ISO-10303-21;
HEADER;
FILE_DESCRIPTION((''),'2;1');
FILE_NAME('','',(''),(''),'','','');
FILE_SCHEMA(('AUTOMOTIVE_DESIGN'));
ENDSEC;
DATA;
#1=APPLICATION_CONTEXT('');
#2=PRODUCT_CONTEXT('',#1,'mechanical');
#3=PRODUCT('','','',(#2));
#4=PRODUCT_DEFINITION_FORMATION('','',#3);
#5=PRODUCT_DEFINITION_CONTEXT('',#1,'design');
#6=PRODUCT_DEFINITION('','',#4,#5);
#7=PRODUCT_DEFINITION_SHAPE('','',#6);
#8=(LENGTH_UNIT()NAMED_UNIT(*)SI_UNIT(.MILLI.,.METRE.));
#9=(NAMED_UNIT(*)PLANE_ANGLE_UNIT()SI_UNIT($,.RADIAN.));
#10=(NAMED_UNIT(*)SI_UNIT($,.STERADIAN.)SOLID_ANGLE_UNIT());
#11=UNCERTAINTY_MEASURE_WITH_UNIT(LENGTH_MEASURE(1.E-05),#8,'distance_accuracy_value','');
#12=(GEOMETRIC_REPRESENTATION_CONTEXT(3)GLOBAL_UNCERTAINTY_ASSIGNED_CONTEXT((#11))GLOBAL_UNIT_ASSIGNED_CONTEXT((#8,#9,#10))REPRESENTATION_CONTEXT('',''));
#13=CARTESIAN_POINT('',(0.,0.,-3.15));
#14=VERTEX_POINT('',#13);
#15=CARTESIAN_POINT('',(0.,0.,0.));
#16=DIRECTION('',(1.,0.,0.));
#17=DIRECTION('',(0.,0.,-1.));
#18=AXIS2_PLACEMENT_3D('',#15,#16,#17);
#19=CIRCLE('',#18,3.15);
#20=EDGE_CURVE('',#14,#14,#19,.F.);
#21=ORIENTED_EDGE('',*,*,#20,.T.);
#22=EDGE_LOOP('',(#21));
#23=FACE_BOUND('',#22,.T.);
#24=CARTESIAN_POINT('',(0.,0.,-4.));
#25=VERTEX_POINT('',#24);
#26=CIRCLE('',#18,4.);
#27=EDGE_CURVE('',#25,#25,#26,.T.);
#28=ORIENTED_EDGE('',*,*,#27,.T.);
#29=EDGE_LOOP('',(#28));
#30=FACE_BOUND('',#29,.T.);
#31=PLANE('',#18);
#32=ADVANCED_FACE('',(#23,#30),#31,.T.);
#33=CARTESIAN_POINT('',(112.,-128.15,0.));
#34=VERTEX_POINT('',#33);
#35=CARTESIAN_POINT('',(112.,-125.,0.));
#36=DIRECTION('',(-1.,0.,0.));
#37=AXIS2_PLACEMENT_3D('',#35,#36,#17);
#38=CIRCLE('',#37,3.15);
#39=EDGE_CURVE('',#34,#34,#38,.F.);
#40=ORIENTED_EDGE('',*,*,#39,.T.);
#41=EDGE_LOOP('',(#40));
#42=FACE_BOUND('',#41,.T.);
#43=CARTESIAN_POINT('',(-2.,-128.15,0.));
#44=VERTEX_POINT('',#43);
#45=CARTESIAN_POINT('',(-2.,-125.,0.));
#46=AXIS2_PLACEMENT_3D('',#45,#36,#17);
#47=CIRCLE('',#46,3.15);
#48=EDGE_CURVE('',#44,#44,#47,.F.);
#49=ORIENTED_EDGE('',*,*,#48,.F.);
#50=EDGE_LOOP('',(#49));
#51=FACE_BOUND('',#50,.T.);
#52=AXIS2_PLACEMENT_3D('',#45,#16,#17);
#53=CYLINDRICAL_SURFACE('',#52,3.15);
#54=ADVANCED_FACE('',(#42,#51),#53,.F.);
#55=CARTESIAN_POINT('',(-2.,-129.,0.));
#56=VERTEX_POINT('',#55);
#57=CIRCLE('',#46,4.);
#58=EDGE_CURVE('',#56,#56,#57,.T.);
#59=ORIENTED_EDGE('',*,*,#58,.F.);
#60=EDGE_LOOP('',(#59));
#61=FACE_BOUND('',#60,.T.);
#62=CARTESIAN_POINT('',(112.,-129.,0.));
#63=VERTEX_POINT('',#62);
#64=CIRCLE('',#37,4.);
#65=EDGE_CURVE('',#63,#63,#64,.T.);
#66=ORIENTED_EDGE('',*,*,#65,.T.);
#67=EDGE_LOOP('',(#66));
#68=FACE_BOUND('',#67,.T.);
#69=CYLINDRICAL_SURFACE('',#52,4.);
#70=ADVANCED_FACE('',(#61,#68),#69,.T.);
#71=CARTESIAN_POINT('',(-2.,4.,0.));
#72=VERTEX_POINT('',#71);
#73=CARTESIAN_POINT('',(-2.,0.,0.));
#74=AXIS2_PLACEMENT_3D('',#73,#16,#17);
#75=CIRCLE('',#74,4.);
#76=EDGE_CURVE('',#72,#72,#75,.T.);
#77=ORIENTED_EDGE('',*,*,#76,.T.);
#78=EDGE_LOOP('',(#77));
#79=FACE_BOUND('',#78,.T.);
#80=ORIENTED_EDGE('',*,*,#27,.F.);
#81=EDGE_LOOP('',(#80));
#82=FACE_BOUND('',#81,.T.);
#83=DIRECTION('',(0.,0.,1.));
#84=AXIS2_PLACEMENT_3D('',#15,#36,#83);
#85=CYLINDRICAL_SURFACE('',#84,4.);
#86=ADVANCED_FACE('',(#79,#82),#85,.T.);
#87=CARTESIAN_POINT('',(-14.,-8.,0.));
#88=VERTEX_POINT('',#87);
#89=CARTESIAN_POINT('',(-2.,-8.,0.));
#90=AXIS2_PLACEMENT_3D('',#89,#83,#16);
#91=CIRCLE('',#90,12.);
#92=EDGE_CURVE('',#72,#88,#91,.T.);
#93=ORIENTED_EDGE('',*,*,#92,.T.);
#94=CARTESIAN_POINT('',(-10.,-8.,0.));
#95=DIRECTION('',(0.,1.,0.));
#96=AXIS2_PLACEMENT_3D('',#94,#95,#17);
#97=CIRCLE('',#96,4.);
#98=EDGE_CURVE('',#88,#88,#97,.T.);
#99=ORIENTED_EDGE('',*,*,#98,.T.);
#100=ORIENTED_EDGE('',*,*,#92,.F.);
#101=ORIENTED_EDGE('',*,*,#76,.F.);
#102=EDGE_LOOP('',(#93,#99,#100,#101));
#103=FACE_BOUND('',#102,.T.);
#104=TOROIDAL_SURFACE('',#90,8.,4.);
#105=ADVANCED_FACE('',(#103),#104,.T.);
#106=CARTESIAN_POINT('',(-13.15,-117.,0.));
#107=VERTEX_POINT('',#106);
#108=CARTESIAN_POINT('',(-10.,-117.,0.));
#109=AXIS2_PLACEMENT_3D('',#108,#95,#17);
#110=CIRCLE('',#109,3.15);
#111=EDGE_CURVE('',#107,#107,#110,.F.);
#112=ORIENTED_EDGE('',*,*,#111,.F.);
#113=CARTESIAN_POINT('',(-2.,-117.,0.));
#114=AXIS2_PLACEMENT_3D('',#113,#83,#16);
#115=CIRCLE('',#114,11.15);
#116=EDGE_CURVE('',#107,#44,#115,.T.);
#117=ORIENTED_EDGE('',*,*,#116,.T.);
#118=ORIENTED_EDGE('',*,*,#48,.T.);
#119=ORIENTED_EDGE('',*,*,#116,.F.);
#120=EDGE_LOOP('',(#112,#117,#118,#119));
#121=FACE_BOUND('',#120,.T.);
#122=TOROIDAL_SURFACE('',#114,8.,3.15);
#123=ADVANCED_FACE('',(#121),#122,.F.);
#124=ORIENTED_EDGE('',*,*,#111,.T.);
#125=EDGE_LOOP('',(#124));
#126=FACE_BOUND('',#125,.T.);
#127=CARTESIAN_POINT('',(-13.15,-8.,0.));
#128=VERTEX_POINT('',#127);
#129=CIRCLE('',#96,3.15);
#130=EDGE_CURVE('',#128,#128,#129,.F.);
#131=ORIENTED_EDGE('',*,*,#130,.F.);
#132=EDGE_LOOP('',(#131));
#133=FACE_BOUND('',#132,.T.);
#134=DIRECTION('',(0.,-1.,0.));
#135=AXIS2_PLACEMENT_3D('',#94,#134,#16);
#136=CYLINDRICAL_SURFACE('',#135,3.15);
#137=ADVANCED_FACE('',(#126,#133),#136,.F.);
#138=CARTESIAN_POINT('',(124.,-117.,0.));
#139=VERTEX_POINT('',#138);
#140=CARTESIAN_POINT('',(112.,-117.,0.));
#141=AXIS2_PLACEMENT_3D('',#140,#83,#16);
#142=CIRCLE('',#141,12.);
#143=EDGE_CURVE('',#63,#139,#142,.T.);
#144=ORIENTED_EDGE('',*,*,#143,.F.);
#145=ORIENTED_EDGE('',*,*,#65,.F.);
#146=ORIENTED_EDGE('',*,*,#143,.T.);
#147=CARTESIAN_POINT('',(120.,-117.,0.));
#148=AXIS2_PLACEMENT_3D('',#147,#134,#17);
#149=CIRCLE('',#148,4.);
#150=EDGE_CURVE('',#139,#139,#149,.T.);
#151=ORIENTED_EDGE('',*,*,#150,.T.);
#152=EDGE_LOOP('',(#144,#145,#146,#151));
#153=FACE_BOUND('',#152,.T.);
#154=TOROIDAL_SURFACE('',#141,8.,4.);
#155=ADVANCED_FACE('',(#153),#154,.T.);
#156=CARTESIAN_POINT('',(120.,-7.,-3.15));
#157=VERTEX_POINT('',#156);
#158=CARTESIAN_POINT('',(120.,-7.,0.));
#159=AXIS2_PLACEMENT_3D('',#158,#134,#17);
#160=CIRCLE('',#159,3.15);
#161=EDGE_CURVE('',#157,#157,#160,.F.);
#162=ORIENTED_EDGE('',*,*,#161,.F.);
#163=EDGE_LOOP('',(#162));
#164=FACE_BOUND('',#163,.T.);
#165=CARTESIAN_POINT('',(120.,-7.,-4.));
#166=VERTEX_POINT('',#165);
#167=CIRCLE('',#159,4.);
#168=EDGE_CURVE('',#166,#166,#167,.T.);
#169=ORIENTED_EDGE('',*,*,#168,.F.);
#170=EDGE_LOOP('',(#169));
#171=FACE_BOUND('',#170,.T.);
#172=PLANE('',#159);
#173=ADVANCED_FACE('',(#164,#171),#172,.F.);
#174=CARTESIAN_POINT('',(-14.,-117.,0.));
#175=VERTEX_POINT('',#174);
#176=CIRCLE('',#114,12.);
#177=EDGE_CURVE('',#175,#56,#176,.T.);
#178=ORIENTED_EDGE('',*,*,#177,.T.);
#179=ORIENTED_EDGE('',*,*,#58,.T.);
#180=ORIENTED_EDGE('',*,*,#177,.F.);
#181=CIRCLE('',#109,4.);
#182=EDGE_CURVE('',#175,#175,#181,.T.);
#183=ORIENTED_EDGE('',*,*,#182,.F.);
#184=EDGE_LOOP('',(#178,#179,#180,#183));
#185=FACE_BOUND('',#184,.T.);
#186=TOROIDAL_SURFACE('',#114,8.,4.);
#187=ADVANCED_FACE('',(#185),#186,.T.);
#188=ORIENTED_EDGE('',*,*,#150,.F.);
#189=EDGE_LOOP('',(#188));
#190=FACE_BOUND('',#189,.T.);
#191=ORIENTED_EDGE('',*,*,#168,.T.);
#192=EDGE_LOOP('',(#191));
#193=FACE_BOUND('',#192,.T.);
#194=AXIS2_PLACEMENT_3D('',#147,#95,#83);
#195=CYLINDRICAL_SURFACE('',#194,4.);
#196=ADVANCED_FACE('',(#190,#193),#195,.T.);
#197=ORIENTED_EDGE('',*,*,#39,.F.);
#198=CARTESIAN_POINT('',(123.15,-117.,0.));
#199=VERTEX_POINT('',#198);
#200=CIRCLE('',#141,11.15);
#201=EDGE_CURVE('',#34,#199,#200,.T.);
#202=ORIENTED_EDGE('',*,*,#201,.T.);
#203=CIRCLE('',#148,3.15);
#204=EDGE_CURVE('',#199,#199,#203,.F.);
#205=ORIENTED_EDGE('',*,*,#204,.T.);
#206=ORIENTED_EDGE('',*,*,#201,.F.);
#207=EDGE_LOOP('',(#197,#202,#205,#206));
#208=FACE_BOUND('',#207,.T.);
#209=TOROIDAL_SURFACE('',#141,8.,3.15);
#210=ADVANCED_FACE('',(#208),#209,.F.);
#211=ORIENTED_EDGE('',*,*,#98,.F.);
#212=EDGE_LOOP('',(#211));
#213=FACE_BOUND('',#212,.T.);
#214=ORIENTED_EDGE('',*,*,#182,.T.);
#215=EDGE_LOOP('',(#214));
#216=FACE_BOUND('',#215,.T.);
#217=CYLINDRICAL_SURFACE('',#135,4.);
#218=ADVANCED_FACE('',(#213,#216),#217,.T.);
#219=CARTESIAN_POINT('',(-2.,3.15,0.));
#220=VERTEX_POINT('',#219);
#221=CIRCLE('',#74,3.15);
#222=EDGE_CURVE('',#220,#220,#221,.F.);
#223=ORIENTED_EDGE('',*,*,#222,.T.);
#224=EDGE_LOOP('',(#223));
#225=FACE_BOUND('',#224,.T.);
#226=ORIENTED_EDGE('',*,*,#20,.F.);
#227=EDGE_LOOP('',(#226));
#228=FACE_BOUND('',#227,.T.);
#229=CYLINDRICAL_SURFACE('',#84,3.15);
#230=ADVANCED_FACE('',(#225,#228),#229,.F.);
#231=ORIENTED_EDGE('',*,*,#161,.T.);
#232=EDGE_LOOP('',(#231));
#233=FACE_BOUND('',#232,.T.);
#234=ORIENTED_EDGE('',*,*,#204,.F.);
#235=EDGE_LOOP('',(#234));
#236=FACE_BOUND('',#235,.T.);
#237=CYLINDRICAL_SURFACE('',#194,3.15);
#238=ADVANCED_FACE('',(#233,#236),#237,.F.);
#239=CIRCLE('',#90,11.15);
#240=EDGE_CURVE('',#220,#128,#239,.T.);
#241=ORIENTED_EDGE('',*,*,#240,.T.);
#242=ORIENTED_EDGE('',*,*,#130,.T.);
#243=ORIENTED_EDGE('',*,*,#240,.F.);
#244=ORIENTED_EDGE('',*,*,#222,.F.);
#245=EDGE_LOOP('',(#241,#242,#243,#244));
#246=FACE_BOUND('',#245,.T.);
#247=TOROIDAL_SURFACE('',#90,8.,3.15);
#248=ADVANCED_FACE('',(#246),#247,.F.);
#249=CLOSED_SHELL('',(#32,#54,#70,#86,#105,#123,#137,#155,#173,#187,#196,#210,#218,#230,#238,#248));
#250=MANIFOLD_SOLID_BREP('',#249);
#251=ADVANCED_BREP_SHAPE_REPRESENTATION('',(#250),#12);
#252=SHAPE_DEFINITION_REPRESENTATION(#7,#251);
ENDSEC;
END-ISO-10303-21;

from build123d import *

# Parameters (mm, degrees)
SKETCH2_R   = 4
SKETCH2_R_2 = 3.15


with BuildPart() as part:
    # Sweep1: sweep along a path in Sketch1
    with BuildLine(Plane.XY) as sweep1_path:
        Line((0, 0), (-2, 0))
        ThreePointArc((-2, 0), (-7.656854249, -2.343145751), (-10, -8))
        Line((-10, -8), (-10, -117))
        ThreePointArc((-10, -117), (-7.656854249, -122.656854249), (-2, -125))
        Line((-2, -125), (112, -125))
        ThreePointArc((112, -125), (117.656854249, -122.656854249), (120, -117))
        Line((120, -117), (120, -7))
    # Sketch2 → Sweep1 (sweep)
    with BuildSketch(Plane(origin=(0, 0, 0), x_dir=(0, 0, -1), z_dir=(1, 0, 0))):
        Circle(SKETCH2_R)
        Circle(SKETCH2_R_2, mode=Mode.SUBTRACT)
    sweep(path=sweep1_path.line)


solid = part.part
